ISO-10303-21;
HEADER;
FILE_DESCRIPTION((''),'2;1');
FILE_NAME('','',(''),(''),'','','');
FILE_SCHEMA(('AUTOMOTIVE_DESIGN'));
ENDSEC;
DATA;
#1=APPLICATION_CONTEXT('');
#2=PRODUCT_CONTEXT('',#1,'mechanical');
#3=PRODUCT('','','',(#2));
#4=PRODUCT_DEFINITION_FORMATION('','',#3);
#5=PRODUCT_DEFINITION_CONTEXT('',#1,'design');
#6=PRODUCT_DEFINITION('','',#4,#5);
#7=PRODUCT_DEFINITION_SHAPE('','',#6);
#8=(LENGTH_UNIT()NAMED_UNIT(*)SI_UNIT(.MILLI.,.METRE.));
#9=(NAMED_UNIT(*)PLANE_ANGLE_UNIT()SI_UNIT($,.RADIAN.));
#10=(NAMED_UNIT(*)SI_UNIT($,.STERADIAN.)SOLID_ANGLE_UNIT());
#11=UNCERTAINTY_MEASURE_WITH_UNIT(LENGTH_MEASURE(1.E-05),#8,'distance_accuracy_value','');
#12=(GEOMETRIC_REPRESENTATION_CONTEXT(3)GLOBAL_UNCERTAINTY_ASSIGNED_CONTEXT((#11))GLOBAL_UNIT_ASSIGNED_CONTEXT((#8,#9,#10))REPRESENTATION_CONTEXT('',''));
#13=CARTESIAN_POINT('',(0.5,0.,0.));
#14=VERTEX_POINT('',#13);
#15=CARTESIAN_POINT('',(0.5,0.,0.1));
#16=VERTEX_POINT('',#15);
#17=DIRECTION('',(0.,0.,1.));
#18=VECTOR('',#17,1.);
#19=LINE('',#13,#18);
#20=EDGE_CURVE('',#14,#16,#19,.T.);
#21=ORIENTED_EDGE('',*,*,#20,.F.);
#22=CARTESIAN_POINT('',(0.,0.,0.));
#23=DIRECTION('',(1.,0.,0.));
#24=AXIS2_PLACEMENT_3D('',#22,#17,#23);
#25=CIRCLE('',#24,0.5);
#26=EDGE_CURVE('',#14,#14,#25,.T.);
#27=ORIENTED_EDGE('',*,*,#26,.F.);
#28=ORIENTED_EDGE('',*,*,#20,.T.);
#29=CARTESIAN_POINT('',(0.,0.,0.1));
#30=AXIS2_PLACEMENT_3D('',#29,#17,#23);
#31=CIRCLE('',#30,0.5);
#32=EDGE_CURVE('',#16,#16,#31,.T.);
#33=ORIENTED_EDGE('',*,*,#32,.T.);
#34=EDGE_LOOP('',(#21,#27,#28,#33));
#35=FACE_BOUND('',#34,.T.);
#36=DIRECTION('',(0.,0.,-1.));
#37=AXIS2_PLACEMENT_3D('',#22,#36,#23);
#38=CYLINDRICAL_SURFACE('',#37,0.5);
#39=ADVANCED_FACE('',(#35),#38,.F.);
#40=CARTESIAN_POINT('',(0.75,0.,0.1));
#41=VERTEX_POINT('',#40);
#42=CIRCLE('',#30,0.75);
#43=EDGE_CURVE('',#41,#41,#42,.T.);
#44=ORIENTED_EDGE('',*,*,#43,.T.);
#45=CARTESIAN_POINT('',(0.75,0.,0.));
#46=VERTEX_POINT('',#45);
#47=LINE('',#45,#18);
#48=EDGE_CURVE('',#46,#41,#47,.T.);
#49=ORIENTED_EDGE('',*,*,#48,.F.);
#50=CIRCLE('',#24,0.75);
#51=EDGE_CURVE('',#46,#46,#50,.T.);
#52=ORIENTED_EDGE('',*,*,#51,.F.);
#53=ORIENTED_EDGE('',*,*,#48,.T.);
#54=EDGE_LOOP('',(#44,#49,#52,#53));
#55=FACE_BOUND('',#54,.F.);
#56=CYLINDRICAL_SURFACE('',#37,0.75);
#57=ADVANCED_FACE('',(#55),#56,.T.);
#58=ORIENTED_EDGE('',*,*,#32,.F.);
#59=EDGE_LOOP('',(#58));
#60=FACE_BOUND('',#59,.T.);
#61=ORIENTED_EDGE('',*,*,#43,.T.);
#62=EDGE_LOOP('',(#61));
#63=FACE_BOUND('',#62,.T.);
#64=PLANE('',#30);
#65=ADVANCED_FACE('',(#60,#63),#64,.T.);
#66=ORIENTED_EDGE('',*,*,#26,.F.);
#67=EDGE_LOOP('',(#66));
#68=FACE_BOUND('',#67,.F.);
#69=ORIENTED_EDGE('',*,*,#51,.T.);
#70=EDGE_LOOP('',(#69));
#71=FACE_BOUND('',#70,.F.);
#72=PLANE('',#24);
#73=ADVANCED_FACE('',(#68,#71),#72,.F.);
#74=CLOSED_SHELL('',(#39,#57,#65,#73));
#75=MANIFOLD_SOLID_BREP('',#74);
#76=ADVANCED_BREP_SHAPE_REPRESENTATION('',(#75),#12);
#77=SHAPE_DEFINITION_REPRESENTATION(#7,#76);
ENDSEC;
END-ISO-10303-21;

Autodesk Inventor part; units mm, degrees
ref_plane "YZ Plane" through (0, 0, 0) normal (1, 0, 0) x (0, 1, 0)
ref_plane "XZ Plane" through (0, 0, 0) normal (0, 1, 0) x (-1, 0, 0)
ref_plane "XY Plane" through (0, 0, 0) normal (0, 0, 1) x (1, 0, 0)
sketch "Sketch1" plane through (0, 0, 0) normal (0, 0, 1) x (1, 0, 0)
  circle A0 centre (0, 0) radius 0.5
  circle A1 centre (0, 0) radius 0.75
  dimension "d0" = 1
  dimension "d1" = 1.5
extrude "Extrusion1" add sketch "Sketch1" along normal blind 0.1
properties part number "hole_plating"
